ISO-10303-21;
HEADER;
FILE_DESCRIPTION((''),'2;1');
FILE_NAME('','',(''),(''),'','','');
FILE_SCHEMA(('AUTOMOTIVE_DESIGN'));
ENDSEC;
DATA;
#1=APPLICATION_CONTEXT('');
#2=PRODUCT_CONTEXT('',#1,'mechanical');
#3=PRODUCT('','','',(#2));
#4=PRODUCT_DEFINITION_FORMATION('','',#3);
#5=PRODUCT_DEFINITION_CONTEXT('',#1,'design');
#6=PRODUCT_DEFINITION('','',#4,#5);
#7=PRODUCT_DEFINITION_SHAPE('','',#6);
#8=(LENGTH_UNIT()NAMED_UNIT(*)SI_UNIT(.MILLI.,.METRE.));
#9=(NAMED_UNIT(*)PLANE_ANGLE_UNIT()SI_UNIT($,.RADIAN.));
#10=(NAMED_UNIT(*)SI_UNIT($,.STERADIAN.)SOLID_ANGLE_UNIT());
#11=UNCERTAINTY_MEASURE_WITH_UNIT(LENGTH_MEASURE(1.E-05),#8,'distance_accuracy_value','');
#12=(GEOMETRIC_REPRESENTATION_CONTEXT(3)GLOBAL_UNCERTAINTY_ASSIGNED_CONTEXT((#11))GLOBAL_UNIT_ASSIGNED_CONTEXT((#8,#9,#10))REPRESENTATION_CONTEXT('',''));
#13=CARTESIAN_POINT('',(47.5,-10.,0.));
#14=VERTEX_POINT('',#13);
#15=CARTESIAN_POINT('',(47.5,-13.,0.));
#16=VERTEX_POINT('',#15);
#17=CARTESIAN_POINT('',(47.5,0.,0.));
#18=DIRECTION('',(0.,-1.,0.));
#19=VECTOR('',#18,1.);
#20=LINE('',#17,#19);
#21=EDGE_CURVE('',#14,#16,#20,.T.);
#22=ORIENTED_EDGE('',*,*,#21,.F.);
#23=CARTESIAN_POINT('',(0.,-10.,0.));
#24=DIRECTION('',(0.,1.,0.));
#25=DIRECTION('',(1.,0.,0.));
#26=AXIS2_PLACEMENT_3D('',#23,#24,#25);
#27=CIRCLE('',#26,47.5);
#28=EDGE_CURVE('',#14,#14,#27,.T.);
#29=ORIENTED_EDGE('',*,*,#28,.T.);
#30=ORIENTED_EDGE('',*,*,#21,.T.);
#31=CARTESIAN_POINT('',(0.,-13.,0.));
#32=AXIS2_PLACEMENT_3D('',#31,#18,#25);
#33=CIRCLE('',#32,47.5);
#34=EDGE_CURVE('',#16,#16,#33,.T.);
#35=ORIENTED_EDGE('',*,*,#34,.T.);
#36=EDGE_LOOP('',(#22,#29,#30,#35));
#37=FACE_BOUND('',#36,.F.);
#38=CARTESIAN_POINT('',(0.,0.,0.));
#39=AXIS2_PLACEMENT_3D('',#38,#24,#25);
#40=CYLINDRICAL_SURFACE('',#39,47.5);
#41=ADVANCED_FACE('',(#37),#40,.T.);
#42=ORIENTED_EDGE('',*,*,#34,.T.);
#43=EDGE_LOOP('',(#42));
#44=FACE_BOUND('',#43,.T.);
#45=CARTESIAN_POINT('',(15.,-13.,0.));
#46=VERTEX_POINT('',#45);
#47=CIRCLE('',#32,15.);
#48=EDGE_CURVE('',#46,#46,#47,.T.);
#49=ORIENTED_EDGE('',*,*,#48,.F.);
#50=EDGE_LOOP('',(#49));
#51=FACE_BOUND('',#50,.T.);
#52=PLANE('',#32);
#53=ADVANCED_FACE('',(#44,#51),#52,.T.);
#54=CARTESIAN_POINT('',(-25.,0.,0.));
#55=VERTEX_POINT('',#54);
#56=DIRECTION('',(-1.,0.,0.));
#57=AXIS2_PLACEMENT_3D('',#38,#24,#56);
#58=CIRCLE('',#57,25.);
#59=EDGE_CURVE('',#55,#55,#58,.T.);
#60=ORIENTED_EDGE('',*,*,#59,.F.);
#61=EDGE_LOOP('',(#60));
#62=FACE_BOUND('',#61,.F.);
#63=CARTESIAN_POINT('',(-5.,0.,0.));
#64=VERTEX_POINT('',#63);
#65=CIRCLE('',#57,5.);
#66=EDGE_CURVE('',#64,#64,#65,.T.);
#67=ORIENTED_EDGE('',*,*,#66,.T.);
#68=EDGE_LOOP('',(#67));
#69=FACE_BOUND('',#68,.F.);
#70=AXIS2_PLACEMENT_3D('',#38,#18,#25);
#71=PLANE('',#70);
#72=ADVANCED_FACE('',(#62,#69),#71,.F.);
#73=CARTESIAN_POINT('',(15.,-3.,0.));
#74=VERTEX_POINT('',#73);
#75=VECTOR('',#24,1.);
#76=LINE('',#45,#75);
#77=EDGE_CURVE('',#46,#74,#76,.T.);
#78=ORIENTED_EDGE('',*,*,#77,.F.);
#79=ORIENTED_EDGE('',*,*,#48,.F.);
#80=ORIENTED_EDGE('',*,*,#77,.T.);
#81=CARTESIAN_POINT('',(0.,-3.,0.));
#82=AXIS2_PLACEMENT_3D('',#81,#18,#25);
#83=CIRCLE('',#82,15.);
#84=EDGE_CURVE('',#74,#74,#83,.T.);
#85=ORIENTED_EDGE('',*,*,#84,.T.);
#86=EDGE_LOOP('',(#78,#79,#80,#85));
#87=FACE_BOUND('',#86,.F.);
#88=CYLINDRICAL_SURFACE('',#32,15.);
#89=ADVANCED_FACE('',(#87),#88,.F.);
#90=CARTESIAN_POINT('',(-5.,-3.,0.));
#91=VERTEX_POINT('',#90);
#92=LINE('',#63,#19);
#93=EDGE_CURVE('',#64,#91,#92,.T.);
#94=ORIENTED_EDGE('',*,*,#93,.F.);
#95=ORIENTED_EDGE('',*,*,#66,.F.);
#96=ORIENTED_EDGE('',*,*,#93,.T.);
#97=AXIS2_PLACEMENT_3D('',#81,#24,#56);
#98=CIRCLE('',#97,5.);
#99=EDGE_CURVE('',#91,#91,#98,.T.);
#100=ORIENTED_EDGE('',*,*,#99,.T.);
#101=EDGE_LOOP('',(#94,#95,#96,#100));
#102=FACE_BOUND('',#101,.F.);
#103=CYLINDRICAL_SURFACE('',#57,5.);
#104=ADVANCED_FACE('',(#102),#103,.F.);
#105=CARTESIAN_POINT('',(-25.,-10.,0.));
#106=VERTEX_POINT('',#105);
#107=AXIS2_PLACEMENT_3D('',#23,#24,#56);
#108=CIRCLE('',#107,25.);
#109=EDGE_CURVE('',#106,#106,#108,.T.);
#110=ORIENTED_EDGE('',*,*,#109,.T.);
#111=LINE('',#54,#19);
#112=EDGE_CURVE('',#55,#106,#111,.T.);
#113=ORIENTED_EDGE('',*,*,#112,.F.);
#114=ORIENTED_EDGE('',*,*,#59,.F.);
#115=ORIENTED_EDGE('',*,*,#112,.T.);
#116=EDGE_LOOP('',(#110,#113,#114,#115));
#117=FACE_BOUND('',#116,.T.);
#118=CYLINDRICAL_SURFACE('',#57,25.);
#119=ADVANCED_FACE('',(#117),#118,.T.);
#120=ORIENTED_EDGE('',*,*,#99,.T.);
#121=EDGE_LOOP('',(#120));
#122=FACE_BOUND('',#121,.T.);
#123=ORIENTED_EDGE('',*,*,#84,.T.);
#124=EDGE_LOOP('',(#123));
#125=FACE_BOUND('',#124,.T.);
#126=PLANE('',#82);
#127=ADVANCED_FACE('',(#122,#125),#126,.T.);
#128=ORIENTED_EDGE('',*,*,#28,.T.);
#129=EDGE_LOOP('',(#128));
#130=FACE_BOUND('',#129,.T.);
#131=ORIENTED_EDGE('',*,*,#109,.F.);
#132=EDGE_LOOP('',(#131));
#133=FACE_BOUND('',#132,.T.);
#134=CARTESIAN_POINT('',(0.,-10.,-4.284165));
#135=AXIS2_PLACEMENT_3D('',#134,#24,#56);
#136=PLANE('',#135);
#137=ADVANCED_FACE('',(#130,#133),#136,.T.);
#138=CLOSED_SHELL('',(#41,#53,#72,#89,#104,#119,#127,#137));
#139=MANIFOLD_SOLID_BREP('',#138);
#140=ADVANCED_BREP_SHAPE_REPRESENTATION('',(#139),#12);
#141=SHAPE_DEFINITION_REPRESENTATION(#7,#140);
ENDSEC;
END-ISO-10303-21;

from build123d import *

# Parameters (mm, degrees)
F0_R     = 47.5
F1_DEPTH = 13
F2_R     = 15
F3_DEPTH = 10
F4_R     = 58.550263
F4_R_2   = 25
F5_DEPTH = 10
F6_R     = 5
F7_DEPTH = 25


with BuildPart() as f1:
    # F0 (on Front) → F1 (new body)
    with BuildSketch(Plane.XZ):
        Circle(F0_R)
    extrude(amount=F1_DEPTH)

    # F2 (on face) → F3 (cut)
    with BuildSketch(Plane.XZ.offset(13)):
        Circle(F2_R)
    extrude(amount=-F3_DEPTH, mode=Mode.SUBTRACT)

    # F4 (on face) → F5 (cut)
    with BuildSketch(Plane(origin=(0, 0, 0), x_dir=(-1, 0, 0), z_dir=(0, 1, 0))):
        with Locations((0, -4.284165)):
            Circle(F4_R)
        Circle(F4_R_2, mode=Mode.SUBTRACT)
    extrude(amount=-F5_DEPTH, mode=Mode.SUBTRACT)

    # F6 (on face) → F7 (cut)
    with BuildSketch(Plane(origin=(0, 0, 0), x_dir=(-1, 0, 0), z_dir=(0, 1, 0))):
        Circle(F6_R)
    extrude(amount=-F7_DEPTH, mode=Mode.SUBTRACT)


solid = f1.part
